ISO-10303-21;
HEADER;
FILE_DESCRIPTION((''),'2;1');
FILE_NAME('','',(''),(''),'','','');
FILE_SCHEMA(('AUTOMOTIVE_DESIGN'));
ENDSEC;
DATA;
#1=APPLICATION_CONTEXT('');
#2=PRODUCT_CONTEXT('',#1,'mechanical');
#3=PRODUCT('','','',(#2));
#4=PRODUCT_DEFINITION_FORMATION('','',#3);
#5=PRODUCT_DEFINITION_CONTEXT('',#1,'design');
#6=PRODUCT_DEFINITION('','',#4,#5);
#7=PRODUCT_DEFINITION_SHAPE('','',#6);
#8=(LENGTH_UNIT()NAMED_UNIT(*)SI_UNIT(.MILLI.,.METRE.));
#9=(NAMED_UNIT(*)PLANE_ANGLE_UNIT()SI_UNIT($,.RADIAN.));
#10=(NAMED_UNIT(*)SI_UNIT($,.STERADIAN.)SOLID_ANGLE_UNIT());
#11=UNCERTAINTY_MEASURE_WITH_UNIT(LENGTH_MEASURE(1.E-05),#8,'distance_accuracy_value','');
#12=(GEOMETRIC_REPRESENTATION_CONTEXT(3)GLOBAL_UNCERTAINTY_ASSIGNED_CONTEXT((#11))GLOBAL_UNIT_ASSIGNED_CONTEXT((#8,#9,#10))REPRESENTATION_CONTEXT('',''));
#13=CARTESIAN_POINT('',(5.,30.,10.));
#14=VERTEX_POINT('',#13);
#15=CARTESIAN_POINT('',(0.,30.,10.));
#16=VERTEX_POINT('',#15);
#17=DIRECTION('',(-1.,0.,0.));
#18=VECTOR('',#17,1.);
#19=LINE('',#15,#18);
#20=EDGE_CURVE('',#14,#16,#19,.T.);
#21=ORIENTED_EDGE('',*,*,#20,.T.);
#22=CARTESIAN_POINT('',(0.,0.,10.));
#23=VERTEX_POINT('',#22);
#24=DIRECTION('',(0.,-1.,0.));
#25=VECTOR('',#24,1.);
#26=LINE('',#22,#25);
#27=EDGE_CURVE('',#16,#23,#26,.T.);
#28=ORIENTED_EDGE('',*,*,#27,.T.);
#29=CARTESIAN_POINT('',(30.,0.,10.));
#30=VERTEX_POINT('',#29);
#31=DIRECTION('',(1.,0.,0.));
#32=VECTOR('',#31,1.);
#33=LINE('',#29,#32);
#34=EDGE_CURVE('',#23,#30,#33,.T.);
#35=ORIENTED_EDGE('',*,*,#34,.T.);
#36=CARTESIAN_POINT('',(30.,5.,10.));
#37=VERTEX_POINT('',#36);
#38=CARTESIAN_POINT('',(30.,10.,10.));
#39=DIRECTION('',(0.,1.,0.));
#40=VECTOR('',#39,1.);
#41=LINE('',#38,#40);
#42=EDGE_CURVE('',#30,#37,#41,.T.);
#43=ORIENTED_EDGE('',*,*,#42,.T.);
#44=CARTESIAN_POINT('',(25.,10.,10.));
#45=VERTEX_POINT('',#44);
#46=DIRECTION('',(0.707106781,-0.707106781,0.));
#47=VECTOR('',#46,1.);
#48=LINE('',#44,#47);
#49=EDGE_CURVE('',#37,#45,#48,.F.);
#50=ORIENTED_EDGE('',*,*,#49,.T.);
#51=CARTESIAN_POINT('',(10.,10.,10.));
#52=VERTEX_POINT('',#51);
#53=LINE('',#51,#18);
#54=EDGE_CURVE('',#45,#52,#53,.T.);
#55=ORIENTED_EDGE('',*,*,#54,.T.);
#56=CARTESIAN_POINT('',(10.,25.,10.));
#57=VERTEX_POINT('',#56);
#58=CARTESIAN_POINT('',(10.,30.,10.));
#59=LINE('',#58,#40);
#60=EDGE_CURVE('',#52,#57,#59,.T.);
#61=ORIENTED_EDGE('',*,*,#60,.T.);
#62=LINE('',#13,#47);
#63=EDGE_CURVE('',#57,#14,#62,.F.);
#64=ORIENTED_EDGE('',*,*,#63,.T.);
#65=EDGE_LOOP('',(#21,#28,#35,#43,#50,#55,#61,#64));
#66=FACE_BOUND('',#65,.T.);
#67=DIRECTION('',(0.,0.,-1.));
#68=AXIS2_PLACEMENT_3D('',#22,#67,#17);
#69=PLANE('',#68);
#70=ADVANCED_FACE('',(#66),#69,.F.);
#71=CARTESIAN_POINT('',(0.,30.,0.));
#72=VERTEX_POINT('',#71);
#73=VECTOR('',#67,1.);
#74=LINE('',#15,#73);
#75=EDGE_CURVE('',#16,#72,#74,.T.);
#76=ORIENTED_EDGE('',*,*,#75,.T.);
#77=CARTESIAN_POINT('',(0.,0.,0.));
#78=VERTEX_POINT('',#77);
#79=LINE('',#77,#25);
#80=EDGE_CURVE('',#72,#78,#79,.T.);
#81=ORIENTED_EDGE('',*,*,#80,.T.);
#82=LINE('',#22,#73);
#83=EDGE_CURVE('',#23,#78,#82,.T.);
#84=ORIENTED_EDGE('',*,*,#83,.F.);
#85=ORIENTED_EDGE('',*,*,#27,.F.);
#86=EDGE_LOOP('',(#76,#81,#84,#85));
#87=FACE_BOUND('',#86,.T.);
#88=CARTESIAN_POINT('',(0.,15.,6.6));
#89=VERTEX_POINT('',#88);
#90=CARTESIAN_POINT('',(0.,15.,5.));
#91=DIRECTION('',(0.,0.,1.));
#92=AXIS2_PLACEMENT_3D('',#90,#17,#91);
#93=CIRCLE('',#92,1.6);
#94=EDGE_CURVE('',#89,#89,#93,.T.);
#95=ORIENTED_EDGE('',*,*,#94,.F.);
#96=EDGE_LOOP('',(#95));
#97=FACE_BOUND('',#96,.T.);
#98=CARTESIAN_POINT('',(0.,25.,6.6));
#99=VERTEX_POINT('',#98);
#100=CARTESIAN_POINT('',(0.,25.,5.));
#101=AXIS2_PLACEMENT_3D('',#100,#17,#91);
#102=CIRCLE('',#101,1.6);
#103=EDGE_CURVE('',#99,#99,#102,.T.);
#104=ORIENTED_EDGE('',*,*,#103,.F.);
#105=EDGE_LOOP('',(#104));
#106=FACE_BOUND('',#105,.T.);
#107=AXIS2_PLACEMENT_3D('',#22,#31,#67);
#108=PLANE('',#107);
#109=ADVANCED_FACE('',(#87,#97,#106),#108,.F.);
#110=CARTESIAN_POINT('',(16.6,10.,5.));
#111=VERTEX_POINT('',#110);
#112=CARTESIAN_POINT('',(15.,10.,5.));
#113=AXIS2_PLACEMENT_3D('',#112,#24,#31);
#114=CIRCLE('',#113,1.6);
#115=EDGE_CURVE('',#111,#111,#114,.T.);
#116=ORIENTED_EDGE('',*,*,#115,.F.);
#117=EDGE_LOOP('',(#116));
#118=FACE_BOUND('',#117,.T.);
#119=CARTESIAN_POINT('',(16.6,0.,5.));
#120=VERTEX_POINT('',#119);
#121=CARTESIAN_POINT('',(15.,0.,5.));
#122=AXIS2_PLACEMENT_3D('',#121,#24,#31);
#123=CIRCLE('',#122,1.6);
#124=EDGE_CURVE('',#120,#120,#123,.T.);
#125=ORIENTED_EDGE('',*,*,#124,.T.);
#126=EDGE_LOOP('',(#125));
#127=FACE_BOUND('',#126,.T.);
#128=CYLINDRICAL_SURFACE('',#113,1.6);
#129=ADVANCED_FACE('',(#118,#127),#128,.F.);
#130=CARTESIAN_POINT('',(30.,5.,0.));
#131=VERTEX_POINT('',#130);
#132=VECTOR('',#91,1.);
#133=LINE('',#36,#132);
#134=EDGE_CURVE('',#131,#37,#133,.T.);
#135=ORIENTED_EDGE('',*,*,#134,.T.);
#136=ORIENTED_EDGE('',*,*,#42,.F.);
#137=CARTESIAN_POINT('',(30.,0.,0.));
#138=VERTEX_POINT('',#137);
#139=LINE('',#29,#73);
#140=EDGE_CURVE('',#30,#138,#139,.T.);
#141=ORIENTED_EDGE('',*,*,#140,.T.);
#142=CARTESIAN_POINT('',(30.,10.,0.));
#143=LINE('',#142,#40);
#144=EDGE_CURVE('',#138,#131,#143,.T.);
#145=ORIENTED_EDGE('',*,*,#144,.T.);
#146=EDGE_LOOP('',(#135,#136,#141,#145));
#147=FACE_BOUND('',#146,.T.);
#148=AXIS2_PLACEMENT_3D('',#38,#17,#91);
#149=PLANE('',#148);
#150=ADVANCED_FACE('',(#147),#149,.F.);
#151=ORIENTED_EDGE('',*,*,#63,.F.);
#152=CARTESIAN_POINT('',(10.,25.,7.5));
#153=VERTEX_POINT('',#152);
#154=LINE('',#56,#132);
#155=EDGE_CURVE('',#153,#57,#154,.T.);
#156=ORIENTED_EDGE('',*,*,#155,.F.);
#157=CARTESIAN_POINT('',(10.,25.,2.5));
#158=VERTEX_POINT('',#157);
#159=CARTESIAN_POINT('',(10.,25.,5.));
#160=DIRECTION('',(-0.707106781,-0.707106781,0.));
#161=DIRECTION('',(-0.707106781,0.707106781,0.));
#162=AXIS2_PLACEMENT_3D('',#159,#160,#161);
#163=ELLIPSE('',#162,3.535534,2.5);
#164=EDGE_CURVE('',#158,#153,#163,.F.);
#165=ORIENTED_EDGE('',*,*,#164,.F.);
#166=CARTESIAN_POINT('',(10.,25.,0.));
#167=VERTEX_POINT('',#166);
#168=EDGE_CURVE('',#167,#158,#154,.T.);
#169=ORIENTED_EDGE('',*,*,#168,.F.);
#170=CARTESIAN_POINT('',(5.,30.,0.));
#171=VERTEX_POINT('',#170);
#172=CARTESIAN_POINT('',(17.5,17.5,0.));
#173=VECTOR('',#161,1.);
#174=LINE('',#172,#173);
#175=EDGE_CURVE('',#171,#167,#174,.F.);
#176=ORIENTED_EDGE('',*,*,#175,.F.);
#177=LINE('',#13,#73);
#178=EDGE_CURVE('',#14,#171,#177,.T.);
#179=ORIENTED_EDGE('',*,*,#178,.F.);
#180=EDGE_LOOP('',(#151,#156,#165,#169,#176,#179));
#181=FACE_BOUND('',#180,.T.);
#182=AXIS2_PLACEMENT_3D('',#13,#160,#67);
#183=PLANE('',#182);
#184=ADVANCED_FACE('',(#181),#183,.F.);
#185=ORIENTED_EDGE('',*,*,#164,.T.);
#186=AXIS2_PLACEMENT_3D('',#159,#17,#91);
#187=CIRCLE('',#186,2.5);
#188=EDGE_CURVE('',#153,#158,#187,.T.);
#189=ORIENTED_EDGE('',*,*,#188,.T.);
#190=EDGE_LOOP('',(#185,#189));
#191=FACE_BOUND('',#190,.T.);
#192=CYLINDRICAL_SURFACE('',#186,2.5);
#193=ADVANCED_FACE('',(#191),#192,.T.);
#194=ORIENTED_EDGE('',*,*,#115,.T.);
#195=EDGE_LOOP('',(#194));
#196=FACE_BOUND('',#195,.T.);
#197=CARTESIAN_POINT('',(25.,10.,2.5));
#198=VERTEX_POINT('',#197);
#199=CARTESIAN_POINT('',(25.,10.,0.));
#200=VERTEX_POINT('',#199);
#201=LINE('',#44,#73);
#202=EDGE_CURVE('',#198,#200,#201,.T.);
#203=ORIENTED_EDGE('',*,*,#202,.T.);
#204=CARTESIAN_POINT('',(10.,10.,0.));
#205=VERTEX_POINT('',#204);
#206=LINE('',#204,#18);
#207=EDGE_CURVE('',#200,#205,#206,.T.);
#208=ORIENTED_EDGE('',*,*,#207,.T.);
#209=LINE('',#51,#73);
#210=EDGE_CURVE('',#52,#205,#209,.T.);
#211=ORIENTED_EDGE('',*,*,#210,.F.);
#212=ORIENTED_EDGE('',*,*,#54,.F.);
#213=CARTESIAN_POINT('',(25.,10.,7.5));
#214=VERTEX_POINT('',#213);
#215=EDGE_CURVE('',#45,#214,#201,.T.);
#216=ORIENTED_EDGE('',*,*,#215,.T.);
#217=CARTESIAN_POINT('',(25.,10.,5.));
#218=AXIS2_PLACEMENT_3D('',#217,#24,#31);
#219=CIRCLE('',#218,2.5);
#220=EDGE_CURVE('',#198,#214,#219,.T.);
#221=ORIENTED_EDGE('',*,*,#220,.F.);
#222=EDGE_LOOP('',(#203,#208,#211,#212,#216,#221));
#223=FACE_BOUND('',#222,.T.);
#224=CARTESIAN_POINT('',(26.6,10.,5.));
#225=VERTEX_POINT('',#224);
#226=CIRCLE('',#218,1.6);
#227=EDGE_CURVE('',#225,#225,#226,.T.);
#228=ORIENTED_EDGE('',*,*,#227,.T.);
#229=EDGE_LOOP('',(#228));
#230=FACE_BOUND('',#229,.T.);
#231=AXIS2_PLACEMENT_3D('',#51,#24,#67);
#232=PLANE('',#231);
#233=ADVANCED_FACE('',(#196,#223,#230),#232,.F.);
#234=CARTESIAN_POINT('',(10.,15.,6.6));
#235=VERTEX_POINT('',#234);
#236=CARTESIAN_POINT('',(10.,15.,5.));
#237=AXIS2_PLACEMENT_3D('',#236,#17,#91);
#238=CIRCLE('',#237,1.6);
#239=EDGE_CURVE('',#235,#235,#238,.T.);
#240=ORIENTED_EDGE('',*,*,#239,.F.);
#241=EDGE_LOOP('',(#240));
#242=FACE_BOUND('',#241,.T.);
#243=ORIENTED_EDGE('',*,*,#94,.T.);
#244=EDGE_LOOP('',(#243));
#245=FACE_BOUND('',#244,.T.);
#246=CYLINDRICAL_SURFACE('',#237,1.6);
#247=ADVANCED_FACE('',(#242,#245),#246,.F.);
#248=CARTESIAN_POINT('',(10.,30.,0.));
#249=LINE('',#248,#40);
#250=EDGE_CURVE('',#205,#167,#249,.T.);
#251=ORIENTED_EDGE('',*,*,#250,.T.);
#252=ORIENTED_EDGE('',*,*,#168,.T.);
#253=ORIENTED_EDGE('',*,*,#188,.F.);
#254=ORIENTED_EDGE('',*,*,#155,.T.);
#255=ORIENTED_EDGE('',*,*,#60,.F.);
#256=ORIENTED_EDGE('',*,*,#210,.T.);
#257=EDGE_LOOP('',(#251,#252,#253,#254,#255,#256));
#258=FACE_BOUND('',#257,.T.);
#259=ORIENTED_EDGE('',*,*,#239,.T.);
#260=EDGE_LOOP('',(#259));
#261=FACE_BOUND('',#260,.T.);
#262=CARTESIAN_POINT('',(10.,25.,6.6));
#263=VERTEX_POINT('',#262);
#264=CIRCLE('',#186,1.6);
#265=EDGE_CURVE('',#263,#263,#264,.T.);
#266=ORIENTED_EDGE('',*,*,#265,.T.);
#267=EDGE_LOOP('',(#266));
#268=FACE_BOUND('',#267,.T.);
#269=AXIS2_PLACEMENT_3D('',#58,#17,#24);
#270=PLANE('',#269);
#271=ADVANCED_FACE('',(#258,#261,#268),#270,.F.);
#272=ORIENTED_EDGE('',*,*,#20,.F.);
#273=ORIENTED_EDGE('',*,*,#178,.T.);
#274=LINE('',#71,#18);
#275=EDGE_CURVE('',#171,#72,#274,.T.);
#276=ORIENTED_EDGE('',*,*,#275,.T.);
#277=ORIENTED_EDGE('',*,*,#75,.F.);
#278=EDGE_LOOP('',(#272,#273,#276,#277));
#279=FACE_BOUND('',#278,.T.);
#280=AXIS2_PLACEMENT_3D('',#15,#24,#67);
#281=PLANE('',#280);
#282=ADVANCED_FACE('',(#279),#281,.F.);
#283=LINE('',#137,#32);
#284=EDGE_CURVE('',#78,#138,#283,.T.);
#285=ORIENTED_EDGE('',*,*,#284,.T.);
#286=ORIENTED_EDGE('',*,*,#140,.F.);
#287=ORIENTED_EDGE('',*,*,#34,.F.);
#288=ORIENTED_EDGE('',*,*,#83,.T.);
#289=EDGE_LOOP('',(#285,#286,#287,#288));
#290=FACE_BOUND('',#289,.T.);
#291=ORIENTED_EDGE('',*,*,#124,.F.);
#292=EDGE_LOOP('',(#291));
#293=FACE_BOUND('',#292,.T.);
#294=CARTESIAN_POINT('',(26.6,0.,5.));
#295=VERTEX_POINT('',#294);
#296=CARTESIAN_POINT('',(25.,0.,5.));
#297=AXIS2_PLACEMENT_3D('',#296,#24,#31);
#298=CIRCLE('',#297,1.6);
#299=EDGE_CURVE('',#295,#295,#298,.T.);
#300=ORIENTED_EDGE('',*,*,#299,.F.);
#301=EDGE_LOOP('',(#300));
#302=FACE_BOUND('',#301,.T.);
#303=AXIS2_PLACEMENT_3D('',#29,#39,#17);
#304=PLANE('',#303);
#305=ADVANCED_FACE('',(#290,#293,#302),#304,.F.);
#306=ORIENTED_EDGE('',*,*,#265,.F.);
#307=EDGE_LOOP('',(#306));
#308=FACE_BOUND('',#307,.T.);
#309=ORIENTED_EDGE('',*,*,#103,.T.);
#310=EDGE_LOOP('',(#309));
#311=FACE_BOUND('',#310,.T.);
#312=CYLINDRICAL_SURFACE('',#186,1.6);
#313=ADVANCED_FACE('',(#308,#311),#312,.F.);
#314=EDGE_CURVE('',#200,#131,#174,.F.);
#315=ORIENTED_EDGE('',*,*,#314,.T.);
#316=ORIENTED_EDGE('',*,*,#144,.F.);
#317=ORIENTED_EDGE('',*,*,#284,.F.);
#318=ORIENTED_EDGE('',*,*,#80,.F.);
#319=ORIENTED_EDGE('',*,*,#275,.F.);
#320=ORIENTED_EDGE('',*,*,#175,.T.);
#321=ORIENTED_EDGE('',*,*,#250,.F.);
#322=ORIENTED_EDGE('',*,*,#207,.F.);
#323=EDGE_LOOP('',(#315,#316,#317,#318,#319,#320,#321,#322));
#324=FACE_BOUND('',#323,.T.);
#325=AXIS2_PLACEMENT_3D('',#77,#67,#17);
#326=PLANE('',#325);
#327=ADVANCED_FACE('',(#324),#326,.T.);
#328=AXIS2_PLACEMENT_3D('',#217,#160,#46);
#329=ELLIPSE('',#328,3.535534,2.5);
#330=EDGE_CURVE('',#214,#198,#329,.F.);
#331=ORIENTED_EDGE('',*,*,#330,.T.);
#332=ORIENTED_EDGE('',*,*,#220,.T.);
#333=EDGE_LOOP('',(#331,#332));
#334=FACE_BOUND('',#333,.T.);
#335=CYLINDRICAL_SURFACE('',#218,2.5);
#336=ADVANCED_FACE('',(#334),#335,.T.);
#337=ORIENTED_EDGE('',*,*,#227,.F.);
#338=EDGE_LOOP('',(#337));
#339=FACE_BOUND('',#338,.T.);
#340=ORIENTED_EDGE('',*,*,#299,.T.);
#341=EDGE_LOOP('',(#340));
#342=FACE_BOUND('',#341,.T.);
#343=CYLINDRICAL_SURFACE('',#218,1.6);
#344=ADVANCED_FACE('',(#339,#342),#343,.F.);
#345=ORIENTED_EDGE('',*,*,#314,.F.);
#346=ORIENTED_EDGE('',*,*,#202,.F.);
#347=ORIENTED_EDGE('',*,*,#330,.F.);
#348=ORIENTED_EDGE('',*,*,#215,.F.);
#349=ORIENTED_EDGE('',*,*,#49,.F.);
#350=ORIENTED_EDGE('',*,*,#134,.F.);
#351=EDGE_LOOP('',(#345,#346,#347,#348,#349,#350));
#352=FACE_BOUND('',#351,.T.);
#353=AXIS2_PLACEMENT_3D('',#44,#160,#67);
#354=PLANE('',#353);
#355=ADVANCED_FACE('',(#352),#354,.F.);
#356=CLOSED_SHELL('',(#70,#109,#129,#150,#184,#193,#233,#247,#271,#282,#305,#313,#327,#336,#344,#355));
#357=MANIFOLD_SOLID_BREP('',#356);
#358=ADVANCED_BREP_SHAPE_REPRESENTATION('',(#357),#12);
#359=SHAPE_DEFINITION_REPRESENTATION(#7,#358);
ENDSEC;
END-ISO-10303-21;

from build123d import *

# Parameters (mm, degrees)
AUFSATZ_LINEAR_AUSTRAGEN1_DEPTH = 10
FASE1_SIZE                      = 5
SKIZZE2_R                       = 1.6
SCHNITT_LINEAR_AUSTRAGEN1_DEPTH = 10
SKIZZE3_R                       = 2.5
SKIZZE3_R_2                     = 1.6
AUFSATZ_LINEAR_AUSTRAGEN2_DEPTH = 10
SKIZZE5_R                       = 2.5
SKIZZE5_R_2                     = 1.6
AUFSATZ_LINEAR_AUSTRAGEN3_DEPTH = 10
SKIZZE4_R                       = 1.6
SCHNITT_LINEAR_AUSTRAGEN3_DEPTH = 10


with BuildPart() as part:
    # Skizze1 → Aufsatz-Linear austragen1 (new body)
    with BuildSketch(Plane.XY):
        Polygon((0, 30), (10, 30), (10, 10), (30, 10), (30, 0), (0, 0), align=None)
    extrude(amount=AUFSATZ_LINEAR_AUSTRAGEN1_DEPTH)

    # Fase1
    fase1_edges = [part.edges().sort_by_distance(p)[0] for p in [
        (10, 30, 5),
        (30, 10, 5),
    ]]
    chamfer(fase1_edges, length=FASE1_SIZE)

    # Skizze2 → Schnitt-Linear austragen1 (cut)
    with BuildSketch(Plane.ZY):
        with Locations((5, 15)):
            Circle(SKIZZE2_R)
        with Locations((5, 25)):
            Circle(SKIZZE2_R)
    extrude(amount=-SCHNITT_LINEAR_AUSTRAGEN1_DEPTH, mode=Mode.SUBTRACT)

    # Skizze3 → Aufsatz-Linear austragen2 (add)
    with BuildSketch(Plane.ZY):
        with Locations((5, 25)):
            Circle(SKIZZE3_R)
        with Locations((5, 25)):
            Circle(SKIZZE3_R_2, mode=Mode.SUBTRACT)
    extrude(amount=-AUFSATZ_LINEAR_AUSTRAGEN2_DEPTH)

    # Skizze5 → Aufsatz-Linear austragen3 (add)
    with BuildSketch(Plane.XZ):
        with Locations((25, 5)):
            Circle(SKIZZE5_R)
        with Locations((25, 5)):
            Circle(SKIZZE5_R_2, mode=Mode.SUBTRACT)
    extrude(amount=-AUFSATZ_LINEAR_AUSTRAGEN3_DEPTH)

    # Skizze4 → Schnitt-Linear austragen3 (cut)
    with BuildSketch(Plane.XZ):
        with Locations((15, 5)):
            Circle(SKIZZE4_R)
        with Locations((25, 5)):
            Circle(SKIZZE4_R)
    extrude(amount=-SCHNITT_LINEAR_AUSTRAGEN3_DEPTH, mode=Mode.SUBTRACT)


solid = part.part
